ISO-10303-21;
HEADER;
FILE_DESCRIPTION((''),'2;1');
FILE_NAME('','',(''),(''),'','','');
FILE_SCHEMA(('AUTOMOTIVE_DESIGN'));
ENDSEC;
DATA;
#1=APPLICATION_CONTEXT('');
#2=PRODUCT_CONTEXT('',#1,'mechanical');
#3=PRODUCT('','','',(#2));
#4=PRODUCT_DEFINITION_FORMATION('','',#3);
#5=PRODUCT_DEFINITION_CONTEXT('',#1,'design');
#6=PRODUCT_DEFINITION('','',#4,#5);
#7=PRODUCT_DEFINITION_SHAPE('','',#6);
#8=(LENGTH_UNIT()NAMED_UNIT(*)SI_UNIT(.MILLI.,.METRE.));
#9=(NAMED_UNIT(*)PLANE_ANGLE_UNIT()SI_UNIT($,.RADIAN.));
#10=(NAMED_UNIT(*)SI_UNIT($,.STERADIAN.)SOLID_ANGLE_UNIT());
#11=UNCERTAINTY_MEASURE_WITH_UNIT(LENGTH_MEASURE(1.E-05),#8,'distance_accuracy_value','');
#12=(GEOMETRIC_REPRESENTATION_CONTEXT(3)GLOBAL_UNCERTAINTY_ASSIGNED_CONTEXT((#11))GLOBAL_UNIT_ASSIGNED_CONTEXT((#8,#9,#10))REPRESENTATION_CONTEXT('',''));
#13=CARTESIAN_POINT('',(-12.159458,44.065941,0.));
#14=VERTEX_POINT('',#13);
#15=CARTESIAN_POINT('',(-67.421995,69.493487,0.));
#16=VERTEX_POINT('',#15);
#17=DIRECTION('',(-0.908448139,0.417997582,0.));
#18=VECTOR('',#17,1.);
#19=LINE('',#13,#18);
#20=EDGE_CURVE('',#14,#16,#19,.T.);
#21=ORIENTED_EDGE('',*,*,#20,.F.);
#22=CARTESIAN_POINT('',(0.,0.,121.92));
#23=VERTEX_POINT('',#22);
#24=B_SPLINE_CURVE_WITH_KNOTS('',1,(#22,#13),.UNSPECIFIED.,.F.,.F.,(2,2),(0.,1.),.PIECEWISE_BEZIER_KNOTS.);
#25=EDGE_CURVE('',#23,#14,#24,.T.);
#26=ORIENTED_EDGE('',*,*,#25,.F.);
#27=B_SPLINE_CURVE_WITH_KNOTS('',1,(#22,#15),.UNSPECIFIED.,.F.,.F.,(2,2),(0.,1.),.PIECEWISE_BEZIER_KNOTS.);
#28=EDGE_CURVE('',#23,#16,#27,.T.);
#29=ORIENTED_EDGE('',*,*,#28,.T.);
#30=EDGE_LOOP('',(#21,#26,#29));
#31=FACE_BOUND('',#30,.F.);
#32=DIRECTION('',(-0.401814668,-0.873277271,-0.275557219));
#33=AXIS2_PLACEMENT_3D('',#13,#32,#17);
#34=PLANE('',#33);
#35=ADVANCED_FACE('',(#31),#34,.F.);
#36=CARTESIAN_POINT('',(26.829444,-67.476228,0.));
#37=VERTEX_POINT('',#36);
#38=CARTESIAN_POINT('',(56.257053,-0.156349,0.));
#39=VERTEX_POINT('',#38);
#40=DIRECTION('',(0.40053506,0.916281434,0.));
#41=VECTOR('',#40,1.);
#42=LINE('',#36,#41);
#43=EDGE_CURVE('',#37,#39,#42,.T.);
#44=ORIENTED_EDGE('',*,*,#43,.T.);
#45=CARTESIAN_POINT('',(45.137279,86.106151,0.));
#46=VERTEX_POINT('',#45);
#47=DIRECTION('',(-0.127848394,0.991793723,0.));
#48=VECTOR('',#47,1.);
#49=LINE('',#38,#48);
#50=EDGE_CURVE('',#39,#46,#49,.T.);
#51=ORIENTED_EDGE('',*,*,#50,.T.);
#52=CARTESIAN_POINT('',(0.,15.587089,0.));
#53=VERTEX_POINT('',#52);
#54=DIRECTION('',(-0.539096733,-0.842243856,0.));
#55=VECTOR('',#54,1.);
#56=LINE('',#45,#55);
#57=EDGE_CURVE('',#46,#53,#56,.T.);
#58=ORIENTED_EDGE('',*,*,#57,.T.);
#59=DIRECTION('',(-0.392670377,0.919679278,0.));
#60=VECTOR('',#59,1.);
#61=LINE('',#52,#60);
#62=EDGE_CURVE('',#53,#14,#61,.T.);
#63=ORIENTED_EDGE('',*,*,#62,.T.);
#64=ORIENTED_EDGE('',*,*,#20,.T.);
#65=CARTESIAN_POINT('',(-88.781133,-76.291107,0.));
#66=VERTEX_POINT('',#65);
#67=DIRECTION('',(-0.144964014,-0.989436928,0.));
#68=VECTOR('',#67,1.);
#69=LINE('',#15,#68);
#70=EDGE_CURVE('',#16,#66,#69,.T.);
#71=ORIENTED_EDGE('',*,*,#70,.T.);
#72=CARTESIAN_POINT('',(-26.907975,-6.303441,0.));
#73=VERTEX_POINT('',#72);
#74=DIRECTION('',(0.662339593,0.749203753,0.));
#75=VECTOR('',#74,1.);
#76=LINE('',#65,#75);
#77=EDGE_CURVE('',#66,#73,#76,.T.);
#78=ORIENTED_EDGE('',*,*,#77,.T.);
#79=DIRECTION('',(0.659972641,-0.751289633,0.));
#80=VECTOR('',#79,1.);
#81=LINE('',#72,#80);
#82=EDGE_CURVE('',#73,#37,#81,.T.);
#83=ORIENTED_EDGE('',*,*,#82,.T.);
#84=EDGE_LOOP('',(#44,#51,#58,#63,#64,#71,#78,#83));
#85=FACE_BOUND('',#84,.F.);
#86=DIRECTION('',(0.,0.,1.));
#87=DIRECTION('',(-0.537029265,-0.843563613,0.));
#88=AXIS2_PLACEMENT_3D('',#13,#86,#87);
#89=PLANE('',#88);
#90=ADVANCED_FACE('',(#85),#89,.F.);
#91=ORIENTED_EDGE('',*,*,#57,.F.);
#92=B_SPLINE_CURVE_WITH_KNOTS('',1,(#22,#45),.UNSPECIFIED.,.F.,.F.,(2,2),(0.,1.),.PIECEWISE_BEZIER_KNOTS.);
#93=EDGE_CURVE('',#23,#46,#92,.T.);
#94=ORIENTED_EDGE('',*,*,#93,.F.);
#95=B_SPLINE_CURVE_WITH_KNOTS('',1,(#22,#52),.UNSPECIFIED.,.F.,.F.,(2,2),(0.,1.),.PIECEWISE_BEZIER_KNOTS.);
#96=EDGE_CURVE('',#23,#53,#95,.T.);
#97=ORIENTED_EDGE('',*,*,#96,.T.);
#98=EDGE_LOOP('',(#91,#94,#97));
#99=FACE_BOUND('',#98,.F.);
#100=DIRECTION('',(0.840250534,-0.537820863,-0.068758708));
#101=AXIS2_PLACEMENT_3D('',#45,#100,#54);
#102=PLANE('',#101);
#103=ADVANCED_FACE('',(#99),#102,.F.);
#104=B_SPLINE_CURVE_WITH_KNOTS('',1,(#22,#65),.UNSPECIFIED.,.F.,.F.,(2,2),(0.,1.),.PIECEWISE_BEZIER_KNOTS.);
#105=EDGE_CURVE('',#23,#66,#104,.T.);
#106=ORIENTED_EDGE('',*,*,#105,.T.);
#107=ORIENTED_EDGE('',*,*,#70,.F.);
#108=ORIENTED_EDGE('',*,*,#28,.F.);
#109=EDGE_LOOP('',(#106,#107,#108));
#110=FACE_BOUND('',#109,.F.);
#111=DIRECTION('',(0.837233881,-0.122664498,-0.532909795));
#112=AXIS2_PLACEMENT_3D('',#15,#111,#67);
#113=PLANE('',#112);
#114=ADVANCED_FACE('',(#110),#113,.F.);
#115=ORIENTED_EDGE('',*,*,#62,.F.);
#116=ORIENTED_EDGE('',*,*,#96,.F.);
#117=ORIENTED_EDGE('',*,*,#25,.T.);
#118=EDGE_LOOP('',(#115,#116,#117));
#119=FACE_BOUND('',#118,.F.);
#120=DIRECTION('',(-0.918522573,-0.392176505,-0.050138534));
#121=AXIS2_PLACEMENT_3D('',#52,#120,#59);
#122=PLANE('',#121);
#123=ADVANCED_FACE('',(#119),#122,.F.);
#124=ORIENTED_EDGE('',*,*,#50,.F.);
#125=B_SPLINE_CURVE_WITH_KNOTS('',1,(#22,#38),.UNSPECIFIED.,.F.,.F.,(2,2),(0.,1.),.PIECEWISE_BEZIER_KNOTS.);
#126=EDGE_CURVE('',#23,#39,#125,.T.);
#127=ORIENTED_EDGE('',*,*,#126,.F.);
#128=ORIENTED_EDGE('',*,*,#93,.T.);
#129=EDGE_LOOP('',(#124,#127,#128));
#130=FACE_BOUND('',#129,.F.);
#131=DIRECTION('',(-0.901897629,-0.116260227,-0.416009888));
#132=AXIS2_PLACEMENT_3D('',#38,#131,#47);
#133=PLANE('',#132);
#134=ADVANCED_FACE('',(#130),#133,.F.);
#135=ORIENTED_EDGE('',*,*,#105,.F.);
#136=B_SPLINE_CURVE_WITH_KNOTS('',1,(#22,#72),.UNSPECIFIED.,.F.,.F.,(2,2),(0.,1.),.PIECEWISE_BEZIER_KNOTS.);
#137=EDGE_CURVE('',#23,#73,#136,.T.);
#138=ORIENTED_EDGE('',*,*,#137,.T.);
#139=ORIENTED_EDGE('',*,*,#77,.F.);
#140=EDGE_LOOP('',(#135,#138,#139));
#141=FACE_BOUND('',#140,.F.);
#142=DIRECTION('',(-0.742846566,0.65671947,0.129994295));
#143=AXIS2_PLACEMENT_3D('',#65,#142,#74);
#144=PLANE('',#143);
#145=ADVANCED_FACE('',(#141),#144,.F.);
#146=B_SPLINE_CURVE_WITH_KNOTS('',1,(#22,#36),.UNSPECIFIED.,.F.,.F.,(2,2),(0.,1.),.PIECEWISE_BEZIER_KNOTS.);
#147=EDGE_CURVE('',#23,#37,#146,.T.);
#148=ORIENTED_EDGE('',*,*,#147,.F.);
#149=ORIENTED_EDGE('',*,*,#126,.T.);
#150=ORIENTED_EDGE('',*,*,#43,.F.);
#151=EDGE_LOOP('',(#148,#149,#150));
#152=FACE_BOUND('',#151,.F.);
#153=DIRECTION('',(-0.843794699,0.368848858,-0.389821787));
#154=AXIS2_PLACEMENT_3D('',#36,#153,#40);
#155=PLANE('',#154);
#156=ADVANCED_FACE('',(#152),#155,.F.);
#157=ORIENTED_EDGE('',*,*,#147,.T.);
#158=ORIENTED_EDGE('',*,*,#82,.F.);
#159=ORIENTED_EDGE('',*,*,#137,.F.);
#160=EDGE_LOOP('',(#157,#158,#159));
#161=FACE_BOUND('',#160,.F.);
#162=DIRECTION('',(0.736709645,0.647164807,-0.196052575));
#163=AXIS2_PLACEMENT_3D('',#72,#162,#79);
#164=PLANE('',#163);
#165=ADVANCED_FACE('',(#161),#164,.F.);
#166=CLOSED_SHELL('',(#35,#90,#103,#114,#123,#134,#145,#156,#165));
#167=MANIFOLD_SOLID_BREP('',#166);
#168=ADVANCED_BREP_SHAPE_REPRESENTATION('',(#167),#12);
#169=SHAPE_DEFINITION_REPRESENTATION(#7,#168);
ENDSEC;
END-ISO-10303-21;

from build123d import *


with BuildPart() as f3:
    # F0 (on Top) → F3 section 0
    with BuildSketch(Plane.XY, mode=Mode.PRIVATE) as f3_s0:
        Polygon((-12.159458, 44.065941), (-67.421995, 69.493487), (-88.781133, -76.291107), (-26.907975, -6.303441), (26.829444, -67.476228), (56.257053, -0.156349), (45.137279, 86.106151), (0, 15.587089), align=None)
    loft([Vertex(0, 0, 121.92), f3_s0.sketch])


solid = f3.part
